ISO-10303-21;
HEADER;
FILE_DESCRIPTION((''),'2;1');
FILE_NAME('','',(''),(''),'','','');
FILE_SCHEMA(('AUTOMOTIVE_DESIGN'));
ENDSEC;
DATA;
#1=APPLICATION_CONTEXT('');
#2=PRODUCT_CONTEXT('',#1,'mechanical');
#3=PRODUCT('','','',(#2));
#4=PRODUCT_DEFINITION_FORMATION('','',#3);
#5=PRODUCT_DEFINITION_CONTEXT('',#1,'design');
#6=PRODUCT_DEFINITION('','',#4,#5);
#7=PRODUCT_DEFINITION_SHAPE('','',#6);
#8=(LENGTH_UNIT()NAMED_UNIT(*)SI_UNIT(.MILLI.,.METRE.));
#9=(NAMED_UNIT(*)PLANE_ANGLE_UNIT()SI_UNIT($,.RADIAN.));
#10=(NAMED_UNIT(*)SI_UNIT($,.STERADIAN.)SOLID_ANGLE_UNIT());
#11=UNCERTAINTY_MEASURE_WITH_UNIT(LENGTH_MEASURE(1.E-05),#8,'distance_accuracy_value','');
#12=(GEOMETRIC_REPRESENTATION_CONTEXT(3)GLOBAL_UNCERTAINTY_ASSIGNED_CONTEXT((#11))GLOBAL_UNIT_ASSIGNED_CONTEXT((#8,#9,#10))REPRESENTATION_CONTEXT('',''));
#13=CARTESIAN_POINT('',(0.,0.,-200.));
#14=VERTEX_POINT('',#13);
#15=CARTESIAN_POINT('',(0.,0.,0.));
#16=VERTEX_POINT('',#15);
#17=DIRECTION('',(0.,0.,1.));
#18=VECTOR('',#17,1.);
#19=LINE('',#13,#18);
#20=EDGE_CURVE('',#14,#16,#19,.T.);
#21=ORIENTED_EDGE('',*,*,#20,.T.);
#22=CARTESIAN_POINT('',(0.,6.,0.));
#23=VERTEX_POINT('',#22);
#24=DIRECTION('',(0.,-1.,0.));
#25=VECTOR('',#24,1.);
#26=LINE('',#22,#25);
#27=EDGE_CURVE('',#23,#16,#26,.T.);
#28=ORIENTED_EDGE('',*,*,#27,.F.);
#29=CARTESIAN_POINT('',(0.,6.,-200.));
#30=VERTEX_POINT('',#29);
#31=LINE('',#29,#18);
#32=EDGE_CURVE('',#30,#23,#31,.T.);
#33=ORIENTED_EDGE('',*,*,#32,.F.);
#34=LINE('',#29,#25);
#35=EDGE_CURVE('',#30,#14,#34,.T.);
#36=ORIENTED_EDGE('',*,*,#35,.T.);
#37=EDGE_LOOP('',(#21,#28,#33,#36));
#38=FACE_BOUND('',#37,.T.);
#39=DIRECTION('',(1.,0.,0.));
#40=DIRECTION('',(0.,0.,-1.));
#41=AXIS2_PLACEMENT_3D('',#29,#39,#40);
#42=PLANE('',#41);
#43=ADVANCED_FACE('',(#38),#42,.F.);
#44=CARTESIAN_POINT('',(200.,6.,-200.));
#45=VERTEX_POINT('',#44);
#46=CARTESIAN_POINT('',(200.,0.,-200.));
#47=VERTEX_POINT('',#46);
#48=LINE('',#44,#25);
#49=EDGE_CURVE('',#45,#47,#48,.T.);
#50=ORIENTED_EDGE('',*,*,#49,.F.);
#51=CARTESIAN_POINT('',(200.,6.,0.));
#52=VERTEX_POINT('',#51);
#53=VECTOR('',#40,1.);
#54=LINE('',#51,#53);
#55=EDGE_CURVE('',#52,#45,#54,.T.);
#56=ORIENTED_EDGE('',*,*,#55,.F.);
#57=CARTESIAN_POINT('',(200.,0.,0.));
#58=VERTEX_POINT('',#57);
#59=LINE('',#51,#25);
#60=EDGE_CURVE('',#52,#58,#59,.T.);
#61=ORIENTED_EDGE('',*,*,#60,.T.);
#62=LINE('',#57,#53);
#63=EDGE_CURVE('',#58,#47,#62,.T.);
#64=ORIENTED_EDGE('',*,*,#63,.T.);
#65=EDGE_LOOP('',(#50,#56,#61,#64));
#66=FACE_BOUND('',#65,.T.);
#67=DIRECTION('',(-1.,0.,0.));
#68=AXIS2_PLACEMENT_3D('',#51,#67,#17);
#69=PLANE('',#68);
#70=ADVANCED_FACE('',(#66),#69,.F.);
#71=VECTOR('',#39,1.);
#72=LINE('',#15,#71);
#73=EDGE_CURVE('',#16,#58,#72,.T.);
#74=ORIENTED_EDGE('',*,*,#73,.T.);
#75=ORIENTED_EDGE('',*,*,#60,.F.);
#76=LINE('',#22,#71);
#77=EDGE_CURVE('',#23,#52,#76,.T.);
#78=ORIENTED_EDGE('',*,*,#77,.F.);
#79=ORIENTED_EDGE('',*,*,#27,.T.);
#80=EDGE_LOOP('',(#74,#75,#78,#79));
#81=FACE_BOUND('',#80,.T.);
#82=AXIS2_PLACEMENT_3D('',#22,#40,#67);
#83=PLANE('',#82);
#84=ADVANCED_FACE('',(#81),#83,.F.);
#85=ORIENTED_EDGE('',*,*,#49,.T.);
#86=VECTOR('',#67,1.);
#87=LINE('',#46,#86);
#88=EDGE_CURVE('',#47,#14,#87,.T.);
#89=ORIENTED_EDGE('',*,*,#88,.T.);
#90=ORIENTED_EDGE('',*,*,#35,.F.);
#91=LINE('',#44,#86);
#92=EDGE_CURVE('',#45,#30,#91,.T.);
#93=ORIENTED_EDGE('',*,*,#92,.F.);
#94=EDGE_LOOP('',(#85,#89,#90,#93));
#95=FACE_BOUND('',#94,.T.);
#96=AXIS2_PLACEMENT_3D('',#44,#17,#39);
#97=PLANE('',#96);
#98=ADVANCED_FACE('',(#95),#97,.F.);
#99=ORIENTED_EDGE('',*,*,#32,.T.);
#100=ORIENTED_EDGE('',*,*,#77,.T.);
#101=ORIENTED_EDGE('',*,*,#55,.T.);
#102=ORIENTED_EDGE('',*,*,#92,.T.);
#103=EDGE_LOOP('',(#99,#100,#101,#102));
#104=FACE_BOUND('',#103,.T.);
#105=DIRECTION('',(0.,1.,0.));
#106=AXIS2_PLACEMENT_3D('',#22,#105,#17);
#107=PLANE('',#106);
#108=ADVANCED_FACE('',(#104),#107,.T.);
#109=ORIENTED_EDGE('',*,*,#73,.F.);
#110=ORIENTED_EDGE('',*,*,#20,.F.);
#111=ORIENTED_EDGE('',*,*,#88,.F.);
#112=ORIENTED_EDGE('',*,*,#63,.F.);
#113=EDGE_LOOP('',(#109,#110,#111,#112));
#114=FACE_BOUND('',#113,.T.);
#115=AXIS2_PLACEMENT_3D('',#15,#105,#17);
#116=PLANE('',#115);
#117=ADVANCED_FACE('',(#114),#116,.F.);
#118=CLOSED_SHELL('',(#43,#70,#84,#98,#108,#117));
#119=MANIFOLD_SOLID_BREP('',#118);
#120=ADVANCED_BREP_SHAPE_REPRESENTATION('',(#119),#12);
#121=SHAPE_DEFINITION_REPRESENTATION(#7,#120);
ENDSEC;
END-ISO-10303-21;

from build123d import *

# Parameters (mm, degrees)
SKETCH1_W           = 200
SKETCH1_H           = 200
BOSS_EXTRUDE1_DEPTH = 6


with BuildPart() as part:
    # Sketch1 → Boss-Extrude1 (new body)
    with BuildSketch(Plane(origin=(0, 0, 0), x_dir=(1, 0, 0), z_dir=(0, 1, 0))):
        with Locations((100, 100)):
            Rectangle(SKETCH1_W, SKETCH1_H)
    extrude(amount=BOSS_EXTRUDE1_DEPTH)


solid = part.part
